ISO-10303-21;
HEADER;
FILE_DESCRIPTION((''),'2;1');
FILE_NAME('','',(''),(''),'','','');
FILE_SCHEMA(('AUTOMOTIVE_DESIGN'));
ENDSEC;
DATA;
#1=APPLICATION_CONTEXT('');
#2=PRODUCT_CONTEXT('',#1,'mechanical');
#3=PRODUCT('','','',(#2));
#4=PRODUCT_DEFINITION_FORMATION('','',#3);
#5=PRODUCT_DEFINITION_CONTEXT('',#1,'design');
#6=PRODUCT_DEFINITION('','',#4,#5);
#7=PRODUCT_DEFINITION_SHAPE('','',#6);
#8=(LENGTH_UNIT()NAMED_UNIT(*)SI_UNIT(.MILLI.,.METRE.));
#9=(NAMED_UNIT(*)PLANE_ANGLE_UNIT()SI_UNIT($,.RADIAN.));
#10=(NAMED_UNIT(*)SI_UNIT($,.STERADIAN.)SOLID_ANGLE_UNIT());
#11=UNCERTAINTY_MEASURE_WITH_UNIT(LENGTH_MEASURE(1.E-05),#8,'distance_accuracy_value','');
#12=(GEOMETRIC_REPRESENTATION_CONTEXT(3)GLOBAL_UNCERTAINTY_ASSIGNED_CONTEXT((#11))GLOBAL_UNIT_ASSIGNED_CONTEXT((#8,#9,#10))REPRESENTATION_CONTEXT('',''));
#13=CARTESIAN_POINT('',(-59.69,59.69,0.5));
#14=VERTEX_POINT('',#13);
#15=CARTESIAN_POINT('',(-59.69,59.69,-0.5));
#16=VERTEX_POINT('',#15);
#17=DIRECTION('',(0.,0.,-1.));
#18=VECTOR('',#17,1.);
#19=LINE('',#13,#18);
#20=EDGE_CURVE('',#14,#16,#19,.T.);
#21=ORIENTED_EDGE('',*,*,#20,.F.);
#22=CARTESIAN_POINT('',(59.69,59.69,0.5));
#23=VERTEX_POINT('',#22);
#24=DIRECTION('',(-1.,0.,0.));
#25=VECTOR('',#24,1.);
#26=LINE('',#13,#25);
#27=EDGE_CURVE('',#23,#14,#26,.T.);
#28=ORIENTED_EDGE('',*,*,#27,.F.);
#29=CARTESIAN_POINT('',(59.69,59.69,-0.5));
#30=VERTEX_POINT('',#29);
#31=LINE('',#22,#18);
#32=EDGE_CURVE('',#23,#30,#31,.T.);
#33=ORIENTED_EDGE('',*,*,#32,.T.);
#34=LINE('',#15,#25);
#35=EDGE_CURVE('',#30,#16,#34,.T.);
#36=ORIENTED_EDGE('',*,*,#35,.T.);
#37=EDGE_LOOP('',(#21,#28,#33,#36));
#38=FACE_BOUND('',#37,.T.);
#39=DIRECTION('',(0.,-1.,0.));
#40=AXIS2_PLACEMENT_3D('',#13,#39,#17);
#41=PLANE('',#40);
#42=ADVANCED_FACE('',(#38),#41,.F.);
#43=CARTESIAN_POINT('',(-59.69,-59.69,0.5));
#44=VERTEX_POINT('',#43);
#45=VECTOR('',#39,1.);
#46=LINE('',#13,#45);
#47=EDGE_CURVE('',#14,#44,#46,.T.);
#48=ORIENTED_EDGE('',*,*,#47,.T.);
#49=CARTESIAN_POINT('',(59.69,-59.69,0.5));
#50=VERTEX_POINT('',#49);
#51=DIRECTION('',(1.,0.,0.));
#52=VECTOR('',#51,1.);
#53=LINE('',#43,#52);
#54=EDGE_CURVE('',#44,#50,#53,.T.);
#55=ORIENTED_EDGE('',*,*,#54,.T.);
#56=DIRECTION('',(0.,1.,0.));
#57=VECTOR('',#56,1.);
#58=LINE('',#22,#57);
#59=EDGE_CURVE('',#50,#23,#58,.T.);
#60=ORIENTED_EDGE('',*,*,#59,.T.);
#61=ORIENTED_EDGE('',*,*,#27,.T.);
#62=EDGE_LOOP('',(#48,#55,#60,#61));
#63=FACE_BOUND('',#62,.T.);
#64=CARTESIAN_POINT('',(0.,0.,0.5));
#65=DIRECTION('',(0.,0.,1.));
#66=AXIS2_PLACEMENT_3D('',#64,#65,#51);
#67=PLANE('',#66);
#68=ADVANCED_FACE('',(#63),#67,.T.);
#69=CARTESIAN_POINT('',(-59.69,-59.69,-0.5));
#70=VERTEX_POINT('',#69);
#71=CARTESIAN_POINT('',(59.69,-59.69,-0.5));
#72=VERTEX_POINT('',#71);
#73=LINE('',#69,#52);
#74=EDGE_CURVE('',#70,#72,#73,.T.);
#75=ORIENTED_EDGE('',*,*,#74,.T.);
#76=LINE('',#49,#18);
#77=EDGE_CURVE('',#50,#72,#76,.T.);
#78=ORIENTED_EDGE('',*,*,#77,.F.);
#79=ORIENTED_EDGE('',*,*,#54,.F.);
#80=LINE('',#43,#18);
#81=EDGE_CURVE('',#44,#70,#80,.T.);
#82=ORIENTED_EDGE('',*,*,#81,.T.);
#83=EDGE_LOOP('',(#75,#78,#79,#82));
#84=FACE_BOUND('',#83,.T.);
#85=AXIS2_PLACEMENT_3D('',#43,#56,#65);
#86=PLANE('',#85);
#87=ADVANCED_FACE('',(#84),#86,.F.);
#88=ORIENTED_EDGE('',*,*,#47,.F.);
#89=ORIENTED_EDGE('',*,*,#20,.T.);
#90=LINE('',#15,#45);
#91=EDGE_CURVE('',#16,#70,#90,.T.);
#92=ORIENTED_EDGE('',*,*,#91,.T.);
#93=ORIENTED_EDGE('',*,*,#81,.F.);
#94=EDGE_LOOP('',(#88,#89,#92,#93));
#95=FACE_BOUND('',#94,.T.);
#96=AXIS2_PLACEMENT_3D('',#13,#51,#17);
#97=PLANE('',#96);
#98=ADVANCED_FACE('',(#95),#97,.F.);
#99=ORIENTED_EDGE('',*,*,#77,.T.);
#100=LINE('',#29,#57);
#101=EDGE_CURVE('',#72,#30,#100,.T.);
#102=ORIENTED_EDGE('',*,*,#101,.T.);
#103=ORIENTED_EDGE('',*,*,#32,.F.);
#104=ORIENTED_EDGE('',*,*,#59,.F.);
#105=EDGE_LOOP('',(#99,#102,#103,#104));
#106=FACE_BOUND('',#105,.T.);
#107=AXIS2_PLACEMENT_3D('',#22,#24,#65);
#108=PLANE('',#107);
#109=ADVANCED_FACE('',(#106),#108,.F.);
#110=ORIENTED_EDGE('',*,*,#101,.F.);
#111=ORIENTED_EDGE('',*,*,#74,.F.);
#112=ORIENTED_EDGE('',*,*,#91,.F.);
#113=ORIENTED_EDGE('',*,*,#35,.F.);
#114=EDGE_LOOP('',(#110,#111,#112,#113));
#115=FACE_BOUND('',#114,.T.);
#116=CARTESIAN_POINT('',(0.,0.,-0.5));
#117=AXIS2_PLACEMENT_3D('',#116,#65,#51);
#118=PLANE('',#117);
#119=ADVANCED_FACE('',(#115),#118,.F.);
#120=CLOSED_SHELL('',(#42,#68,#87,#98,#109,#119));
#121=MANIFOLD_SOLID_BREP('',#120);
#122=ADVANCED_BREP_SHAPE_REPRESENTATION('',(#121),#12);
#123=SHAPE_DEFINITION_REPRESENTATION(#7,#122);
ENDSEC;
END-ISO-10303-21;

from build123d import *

# Parameters (mm, degrees)
CROQUIS1_W              = 119.38
CROQUIS1_H              = 119.38
SALIENTE_EXTRUIR1_DEPTH = 0.5


with BuildPart() as part:
    # Croquis1 → Saliente-Extruir1 (new, symmetric)
    with BuildSketch(Plane.XY):
        Rectangle(CROQUIS1_W, CROQUIS1_H)
    extrude(amount=SALIENTE_EXTRUIR1_DEPTH, both=True)


solid = part.part
